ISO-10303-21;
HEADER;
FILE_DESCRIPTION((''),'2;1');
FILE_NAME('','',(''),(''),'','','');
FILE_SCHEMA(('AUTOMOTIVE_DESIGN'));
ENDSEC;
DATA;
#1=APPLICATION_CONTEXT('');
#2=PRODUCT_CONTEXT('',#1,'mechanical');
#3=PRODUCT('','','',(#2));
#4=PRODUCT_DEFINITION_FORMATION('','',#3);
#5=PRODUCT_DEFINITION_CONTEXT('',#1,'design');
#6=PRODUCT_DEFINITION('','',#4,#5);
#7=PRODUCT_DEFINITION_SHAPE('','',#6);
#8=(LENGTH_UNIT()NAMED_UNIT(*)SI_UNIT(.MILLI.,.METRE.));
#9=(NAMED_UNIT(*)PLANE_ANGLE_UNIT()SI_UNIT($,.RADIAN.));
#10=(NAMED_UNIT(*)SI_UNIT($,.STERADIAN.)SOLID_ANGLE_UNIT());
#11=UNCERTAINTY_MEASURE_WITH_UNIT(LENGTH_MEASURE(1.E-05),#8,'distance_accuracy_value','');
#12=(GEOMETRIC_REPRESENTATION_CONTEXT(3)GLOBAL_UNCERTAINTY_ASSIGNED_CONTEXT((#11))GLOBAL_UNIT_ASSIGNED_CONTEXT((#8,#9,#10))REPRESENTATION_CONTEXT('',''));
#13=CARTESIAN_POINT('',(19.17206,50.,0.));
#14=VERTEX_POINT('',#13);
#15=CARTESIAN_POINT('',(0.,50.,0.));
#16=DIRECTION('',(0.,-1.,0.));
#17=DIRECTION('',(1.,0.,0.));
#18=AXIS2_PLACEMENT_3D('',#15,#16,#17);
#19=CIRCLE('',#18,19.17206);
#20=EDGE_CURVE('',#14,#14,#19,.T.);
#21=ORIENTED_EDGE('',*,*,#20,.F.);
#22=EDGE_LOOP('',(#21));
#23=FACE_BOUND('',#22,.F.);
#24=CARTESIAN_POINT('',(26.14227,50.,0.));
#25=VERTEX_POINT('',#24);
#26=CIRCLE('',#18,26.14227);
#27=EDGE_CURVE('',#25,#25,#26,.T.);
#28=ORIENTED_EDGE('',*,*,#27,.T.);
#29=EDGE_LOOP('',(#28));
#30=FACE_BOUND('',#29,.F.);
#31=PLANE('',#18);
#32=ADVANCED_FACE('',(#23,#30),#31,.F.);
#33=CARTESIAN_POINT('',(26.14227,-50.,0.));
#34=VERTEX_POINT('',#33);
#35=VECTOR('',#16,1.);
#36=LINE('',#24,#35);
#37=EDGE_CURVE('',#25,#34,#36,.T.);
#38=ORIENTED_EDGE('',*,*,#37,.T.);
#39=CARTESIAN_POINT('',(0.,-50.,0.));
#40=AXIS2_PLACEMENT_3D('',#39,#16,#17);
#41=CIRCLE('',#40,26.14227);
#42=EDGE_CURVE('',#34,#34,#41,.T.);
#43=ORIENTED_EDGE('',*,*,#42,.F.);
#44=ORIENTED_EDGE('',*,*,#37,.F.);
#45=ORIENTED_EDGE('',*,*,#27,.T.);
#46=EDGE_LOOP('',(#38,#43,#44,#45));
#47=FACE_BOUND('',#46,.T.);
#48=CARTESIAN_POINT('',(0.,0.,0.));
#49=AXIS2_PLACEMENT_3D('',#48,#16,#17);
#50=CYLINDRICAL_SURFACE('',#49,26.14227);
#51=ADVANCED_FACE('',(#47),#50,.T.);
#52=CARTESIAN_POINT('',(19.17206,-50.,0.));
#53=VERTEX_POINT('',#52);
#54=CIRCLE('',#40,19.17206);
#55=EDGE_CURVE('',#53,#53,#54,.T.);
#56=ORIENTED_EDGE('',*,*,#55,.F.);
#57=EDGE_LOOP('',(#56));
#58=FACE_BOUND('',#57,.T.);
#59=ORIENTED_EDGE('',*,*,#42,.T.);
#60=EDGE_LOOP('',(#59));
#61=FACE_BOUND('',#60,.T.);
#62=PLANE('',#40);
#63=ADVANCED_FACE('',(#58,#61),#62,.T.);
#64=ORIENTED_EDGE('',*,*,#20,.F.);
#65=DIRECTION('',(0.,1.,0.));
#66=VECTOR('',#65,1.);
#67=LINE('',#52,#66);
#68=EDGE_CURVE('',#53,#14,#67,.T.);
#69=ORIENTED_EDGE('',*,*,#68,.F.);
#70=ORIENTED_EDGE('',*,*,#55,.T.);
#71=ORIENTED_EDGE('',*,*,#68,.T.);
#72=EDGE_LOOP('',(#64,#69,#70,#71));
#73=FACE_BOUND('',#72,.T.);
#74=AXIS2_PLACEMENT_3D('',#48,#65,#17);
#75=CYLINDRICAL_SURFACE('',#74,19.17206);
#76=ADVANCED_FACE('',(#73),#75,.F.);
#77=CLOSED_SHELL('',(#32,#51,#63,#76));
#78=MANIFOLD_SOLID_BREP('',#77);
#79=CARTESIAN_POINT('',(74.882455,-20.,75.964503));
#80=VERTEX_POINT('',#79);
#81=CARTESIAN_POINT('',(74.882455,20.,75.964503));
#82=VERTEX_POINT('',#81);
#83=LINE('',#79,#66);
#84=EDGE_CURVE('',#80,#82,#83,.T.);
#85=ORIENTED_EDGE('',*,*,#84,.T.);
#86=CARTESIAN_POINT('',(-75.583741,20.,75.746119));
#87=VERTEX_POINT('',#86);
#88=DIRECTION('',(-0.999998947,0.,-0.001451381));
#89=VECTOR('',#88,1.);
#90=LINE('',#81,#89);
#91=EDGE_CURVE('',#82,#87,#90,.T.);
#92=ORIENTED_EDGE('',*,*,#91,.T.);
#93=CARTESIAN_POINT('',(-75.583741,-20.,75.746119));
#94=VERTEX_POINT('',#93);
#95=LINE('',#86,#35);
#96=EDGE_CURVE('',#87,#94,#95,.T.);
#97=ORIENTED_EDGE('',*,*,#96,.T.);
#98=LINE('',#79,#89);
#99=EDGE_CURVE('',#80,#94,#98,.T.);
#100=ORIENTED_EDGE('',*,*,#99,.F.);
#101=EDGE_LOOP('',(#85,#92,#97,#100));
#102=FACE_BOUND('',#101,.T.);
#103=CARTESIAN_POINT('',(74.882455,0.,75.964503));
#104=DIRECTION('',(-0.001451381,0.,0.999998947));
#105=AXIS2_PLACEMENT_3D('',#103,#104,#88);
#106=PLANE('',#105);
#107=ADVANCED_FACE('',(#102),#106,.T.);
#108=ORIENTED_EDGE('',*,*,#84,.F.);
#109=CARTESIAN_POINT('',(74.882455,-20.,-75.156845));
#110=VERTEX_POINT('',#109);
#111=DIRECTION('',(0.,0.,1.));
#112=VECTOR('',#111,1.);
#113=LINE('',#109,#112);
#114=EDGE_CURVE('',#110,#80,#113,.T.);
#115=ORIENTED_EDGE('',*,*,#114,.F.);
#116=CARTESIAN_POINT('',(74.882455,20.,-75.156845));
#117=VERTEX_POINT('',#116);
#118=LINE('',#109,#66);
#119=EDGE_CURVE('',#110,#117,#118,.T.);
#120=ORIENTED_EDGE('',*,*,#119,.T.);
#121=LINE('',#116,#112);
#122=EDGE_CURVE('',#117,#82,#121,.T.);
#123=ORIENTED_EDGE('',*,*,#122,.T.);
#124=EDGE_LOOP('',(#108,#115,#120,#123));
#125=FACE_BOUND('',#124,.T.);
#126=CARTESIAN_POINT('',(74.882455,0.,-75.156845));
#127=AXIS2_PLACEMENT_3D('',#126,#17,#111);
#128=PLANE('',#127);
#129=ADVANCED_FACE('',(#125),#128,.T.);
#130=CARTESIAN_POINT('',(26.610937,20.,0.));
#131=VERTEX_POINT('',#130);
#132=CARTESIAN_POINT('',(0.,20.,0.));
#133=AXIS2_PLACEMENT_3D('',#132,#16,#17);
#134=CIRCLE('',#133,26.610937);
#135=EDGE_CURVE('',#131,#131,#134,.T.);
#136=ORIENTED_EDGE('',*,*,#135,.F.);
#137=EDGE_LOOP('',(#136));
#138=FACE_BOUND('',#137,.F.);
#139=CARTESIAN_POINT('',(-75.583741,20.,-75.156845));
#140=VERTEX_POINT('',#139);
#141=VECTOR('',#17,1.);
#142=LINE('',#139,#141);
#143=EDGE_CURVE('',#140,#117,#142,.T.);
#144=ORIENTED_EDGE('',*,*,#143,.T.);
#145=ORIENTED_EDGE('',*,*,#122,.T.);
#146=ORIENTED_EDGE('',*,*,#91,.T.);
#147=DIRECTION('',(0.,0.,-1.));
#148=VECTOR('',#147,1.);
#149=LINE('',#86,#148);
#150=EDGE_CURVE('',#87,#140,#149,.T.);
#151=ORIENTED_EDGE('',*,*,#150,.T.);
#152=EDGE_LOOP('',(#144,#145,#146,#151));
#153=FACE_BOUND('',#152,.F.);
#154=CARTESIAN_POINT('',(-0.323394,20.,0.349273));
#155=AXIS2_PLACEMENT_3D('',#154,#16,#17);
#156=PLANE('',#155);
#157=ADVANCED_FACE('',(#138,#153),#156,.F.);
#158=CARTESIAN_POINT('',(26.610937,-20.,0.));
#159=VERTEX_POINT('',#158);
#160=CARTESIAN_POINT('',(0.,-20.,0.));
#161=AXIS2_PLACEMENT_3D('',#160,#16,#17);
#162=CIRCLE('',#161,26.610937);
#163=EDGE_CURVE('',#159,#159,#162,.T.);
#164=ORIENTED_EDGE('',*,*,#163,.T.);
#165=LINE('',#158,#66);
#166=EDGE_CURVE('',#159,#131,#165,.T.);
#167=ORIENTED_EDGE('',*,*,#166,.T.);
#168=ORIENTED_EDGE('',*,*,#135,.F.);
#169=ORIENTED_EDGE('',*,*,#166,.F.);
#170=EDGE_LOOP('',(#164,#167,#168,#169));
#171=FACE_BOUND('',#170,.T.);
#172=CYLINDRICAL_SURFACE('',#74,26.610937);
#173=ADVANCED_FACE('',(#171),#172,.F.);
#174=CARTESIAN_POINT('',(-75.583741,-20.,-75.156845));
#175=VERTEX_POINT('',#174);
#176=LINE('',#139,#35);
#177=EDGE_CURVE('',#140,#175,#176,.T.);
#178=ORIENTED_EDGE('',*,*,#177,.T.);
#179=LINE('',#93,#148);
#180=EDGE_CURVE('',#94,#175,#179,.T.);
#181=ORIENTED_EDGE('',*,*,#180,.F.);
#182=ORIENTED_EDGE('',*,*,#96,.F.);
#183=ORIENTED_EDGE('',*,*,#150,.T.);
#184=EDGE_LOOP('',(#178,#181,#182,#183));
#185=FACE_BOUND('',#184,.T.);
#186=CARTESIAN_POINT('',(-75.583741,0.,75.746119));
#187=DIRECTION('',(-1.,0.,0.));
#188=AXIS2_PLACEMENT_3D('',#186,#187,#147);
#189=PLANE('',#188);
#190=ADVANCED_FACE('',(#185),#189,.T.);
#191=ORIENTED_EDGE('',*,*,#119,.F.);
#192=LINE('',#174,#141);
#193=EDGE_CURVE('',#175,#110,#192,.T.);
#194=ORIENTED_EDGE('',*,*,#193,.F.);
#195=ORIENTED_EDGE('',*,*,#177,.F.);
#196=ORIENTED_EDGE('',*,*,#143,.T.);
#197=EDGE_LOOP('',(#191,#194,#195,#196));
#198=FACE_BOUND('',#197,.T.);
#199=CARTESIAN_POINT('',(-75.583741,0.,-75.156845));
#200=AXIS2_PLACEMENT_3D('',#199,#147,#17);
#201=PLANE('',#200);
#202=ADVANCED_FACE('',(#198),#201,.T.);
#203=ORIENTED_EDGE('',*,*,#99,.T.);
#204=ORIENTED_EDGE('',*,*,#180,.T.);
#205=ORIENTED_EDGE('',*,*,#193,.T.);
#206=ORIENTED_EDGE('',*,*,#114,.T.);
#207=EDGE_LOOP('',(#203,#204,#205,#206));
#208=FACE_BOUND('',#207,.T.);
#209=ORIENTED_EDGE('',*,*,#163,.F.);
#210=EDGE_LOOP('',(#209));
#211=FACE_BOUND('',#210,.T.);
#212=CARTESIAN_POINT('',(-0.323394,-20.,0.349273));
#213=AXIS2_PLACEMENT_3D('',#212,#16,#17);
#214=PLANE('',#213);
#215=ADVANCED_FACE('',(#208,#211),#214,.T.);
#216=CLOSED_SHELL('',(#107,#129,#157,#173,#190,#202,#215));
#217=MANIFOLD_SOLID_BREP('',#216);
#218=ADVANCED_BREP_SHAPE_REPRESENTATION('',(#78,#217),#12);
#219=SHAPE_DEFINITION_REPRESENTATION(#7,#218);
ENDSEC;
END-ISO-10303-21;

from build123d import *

# Parameters (mm, degrees)
F0_R     = 26.14227
F0_R_2   = 19.17206
F1_DEPTH = 50
F3_R     = 26.610937
F4_DEPTH = 20


with BuildPart() as f1:
    # F0 (on Front) → F1 (new body, symmetric)
    with BuildSketch(Plane.XZ):
        Circle(F0_R)
        Circle(F0_R_2, mode=Mode.SUBTRACT)
    extrude(amount=F1_DEPTH, both=True)


with BuildPart() as f4:
    # F3 (on face) → F4 (new body, symmetric)
    with BuildSketch(Plane.XZ):
        Polygon((74.882455, 75.964503), (-75.583741, 75.746119), (-75.583741, -75.156845), (74.882455, -75.156845), align=None)
        Circle(F3_R, mode=Mode.SUBTRACT)
    extrude(amount=F4_DEPTH, both=True)


solid = Compound([f1.part, f4.part])
